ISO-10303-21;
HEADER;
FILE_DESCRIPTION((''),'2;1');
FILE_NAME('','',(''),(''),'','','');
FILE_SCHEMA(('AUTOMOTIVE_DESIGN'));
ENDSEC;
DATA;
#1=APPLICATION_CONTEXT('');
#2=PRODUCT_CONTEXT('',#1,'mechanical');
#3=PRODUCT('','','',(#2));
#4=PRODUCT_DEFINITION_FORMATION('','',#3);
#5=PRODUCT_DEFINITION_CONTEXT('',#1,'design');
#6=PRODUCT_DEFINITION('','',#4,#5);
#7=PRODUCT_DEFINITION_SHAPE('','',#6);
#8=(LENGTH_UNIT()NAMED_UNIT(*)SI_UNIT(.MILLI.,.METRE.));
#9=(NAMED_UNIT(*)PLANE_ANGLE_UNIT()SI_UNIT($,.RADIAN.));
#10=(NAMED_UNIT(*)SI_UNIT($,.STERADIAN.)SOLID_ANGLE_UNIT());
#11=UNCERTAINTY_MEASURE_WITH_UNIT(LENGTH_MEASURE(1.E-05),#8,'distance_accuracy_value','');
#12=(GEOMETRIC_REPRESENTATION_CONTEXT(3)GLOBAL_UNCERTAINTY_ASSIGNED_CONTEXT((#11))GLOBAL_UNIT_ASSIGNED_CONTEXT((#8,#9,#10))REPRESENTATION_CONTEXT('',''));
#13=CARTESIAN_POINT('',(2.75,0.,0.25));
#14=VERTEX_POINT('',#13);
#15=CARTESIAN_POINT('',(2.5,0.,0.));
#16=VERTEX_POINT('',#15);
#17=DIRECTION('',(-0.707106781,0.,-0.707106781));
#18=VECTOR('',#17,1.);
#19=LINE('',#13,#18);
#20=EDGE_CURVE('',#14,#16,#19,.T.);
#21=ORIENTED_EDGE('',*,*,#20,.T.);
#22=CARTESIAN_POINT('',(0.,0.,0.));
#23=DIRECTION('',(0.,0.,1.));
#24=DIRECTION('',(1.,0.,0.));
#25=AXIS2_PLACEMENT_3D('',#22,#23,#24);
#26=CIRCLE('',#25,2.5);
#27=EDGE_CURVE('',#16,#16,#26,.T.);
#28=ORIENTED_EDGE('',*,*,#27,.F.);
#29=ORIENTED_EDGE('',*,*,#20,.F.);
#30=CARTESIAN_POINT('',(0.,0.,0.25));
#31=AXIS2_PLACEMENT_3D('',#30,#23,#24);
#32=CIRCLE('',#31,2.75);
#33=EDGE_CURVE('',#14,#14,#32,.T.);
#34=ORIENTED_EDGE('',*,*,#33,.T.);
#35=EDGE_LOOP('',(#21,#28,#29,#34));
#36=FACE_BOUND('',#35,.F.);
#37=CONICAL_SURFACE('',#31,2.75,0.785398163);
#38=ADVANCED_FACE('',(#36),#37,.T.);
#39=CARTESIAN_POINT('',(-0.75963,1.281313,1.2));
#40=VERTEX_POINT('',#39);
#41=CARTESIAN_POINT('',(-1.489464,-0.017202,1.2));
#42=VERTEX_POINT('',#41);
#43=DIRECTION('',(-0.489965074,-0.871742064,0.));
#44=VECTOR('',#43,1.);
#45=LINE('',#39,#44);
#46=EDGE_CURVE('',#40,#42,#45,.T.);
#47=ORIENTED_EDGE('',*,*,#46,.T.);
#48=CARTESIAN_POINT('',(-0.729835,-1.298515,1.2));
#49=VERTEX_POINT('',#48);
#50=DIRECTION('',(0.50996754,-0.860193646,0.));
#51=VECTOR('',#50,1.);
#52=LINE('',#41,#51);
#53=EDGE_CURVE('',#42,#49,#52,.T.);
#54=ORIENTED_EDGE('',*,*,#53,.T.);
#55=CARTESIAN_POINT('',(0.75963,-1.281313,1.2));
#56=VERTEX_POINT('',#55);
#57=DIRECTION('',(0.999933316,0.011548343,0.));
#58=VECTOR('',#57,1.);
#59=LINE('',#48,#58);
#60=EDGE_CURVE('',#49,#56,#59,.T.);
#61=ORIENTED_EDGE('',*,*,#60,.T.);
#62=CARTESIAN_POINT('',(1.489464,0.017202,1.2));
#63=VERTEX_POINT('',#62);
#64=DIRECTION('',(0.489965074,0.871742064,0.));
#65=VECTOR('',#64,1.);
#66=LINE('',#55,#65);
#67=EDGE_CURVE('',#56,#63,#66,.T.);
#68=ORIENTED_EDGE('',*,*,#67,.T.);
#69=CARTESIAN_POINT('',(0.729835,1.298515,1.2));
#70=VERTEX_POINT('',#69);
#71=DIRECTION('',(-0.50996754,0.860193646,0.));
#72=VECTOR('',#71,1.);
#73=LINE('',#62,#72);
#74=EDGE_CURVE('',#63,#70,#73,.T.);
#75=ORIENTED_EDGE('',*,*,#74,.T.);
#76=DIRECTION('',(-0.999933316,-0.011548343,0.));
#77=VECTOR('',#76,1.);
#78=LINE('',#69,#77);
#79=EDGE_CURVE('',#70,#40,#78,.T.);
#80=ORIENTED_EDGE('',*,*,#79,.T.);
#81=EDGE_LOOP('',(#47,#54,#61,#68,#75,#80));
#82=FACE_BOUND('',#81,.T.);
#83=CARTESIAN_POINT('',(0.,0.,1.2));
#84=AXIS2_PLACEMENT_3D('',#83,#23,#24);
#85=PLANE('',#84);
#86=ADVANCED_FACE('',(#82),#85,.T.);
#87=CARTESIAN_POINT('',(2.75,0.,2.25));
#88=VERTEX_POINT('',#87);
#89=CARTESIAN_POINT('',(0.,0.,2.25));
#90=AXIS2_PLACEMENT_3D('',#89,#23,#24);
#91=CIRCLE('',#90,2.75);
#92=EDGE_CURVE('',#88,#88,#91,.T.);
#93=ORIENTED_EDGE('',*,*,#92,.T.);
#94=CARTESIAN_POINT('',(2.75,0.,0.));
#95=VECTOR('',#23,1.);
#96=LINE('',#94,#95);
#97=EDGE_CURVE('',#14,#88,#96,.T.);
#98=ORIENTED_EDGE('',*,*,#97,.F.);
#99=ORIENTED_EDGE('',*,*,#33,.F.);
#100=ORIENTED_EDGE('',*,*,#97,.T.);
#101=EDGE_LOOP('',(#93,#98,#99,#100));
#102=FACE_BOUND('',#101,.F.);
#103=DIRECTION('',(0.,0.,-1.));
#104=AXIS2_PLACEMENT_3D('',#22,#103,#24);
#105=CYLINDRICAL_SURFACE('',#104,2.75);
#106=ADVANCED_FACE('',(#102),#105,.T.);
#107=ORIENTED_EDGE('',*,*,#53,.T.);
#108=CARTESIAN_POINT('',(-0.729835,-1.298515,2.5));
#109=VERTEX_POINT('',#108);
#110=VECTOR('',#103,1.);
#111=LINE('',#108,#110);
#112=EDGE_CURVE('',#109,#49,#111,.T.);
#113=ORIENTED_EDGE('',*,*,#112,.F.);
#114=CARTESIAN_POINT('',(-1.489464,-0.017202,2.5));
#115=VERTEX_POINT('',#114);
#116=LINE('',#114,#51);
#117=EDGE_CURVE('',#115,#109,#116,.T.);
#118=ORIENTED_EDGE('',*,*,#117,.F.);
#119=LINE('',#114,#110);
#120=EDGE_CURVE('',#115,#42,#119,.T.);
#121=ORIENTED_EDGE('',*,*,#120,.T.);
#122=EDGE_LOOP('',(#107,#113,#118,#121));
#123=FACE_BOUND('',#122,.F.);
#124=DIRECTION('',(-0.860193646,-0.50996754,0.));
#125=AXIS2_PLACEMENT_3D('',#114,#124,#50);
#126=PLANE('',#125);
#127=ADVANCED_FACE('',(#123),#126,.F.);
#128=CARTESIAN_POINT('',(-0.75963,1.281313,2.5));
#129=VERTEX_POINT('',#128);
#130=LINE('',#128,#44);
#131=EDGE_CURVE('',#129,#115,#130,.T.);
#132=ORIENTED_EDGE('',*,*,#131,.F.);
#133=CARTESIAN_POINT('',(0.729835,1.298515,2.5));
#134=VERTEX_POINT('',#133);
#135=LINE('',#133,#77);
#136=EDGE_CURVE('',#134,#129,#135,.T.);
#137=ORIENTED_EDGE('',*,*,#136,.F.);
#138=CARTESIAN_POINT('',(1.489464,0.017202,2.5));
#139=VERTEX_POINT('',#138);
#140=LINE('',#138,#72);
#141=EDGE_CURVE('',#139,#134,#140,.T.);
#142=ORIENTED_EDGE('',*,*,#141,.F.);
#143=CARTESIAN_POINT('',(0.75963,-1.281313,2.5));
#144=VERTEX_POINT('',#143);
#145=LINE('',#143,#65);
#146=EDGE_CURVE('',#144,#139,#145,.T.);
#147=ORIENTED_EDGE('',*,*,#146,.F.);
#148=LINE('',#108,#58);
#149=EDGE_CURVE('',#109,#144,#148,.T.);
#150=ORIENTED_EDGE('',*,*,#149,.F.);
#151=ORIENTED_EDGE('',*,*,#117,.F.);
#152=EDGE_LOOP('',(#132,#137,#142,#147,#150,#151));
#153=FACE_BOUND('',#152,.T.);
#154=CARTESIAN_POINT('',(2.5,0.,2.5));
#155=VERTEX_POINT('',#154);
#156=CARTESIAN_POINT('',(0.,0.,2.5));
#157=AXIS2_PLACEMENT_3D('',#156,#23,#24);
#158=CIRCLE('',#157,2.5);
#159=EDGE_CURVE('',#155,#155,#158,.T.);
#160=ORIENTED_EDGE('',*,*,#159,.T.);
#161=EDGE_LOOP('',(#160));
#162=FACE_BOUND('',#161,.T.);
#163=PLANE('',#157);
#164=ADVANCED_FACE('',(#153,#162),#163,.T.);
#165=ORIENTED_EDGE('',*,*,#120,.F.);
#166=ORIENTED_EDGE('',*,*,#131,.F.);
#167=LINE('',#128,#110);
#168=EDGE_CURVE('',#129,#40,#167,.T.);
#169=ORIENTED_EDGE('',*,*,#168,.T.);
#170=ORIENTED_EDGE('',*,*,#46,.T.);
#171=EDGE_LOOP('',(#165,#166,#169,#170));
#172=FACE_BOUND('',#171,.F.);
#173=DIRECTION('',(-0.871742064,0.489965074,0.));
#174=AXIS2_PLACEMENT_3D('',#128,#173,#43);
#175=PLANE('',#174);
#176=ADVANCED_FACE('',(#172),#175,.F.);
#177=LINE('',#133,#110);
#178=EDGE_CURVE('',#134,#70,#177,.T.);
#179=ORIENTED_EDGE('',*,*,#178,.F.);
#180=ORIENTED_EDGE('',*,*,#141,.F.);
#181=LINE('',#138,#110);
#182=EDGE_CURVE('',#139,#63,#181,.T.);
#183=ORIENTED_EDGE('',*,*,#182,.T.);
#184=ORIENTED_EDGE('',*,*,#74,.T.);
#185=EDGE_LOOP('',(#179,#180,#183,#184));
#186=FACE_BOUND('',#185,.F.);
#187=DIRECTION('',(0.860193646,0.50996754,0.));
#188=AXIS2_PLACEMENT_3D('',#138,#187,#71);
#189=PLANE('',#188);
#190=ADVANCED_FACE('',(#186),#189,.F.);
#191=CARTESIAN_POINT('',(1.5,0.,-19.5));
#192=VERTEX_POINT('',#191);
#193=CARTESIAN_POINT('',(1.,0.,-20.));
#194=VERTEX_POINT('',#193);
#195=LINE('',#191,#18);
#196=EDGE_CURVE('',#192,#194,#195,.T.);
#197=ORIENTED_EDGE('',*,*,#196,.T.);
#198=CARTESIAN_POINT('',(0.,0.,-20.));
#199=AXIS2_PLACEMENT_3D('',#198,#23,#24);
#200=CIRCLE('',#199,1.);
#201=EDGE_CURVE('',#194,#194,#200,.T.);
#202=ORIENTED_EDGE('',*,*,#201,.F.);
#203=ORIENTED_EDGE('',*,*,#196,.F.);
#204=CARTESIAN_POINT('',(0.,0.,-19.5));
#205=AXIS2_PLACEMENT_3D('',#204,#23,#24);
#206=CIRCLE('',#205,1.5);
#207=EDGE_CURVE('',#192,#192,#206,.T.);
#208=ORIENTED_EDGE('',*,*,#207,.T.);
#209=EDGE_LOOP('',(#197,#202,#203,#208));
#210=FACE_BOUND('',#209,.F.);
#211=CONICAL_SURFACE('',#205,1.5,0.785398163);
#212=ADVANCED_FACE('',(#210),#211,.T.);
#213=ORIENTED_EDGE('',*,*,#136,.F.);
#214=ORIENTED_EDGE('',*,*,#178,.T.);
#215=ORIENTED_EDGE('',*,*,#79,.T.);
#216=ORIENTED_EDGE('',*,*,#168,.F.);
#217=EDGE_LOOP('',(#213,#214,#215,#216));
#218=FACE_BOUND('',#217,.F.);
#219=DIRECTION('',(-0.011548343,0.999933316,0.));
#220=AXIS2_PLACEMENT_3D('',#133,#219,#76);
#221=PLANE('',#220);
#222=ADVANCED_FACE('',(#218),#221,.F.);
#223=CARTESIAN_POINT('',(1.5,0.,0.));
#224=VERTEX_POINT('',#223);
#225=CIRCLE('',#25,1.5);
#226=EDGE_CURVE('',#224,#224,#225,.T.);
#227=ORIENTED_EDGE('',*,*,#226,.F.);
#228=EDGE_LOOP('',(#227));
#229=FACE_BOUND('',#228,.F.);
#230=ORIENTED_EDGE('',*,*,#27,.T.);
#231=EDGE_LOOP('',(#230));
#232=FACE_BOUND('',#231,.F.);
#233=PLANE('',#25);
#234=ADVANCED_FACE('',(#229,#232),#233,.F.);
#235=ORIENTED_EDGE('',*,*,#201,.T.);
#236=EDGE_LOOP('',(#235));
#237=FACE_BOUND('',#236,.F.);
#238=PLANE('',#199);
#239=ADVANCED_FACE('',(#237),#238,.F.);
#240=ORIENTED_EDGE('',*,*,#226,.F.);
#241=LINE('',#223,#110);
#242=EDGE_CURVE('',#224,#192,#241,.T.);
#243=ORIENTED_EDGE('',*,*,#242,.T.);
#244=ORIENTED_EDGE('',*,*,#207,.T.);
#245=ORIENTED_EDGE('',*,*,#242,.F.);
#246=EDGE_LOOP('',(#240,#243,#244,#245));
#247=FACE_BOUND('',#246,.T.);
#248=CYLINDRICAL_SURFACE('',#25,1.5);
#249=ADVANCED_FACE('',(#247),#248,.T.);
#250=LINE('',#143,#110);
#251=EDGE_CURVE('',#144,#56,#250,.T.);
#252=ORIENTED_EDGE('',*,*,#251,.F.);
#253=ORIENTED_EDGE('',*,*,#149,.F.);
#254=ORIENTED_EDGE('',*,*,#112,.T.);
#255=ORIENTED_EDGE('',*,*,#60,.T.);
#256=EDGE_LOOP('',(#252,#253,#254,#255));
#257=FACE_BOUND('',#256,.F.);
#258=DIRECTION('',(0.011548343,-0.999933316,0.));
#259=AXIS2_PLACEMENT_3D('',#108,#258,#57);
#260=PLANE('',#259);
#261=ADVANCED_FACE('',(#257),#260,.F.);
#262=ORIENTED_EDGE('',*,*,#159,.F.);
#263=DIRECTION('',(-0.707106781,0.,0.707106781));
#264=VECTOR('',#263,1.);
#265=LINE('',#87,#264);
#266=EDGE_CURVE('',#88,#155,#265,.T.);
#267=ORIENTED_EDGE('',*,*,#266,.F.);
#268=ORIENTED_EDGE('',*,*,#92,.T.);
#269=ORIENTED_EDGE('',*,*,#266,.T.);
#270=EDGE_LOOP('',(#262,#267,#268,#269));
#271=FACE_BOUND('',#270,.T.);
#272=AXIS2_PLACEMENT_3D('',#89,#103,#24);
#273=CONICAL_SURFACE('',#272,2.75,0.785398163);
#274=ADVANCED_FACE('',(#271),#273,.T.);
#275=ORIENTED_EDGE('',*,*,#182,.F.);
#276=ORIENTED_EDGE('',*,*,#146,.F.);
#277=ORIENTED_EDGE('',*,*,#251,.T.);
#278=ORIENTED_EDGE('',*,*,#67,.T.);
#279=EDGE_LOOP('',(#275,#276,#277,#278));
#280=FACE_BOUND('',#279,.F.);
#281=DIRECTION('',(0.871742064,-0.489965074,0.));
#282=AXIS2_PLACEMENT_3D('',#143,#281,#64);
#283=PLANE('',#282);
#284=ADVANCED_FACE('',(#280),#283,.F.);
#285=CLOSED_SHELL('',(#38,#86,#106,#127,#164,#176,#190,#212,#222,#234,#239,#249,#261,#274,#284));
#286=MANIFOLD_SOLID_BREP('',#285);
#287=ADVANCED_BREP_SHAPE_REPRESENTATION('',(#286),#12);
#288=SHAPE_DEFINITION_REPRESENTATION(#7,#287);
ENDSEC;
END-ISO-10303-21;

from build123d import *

# Parameters (mm, degrees)
F0_R     = 1.5
F1_DEPTH = 20
F2_SIZE  = 0.5
F0_R_2   = 2.75
F3_DEPTH = 2.5
F4_SIZE  = 0.25
F6_DEPTH = 1.3


with BuildPart() as f1:
    # F0 (on Top) → F1 (new body)
    with BuildSketch(Plane.XY):
        Circle(F0_R)
    extrude(amount=-F1_DEPTH)

    # F2
    f2_edges = [f1.edges().sort_by_distance(p)[0] for p in [
        (-1.5, 0, -20),
    ]]
    chamfer(f2_edges, length=F2_SIZE)

    # F0 (on Top) → F3 (join)
    with BuildSketch(Plane.XY):
        Circle(F0_R_2)
        Circle(F0_R, mode=Mode.SUBTRACT)
        Circle(F0_R)
    extrude(amount=F3_DEPTH)

    # F4
    f4_edges = [f1.edges().sort_by_distance(p)[0] for p in [
        (-2.75, 0, 2.5),
        (-2.75, 0, 0),
    ]]
    chamfer(f4_edges, length=F4_SIZE)

    # F5 (on face) → F6 (cut)
    with BuildSketch(Plane.XY.offset(2.5)):
        Polygon((0.75963, -1.281313), (1.489464, 0.017202), (0.729835, 1.298515), (-0.75963, 1.281313), (-1.489464, -0.017202), (-0.729835, -1.298515), align=None)
    extrude(amount=-F6_DEPTH, mode=Mode.SUBTRACT)


solid = f1.part
